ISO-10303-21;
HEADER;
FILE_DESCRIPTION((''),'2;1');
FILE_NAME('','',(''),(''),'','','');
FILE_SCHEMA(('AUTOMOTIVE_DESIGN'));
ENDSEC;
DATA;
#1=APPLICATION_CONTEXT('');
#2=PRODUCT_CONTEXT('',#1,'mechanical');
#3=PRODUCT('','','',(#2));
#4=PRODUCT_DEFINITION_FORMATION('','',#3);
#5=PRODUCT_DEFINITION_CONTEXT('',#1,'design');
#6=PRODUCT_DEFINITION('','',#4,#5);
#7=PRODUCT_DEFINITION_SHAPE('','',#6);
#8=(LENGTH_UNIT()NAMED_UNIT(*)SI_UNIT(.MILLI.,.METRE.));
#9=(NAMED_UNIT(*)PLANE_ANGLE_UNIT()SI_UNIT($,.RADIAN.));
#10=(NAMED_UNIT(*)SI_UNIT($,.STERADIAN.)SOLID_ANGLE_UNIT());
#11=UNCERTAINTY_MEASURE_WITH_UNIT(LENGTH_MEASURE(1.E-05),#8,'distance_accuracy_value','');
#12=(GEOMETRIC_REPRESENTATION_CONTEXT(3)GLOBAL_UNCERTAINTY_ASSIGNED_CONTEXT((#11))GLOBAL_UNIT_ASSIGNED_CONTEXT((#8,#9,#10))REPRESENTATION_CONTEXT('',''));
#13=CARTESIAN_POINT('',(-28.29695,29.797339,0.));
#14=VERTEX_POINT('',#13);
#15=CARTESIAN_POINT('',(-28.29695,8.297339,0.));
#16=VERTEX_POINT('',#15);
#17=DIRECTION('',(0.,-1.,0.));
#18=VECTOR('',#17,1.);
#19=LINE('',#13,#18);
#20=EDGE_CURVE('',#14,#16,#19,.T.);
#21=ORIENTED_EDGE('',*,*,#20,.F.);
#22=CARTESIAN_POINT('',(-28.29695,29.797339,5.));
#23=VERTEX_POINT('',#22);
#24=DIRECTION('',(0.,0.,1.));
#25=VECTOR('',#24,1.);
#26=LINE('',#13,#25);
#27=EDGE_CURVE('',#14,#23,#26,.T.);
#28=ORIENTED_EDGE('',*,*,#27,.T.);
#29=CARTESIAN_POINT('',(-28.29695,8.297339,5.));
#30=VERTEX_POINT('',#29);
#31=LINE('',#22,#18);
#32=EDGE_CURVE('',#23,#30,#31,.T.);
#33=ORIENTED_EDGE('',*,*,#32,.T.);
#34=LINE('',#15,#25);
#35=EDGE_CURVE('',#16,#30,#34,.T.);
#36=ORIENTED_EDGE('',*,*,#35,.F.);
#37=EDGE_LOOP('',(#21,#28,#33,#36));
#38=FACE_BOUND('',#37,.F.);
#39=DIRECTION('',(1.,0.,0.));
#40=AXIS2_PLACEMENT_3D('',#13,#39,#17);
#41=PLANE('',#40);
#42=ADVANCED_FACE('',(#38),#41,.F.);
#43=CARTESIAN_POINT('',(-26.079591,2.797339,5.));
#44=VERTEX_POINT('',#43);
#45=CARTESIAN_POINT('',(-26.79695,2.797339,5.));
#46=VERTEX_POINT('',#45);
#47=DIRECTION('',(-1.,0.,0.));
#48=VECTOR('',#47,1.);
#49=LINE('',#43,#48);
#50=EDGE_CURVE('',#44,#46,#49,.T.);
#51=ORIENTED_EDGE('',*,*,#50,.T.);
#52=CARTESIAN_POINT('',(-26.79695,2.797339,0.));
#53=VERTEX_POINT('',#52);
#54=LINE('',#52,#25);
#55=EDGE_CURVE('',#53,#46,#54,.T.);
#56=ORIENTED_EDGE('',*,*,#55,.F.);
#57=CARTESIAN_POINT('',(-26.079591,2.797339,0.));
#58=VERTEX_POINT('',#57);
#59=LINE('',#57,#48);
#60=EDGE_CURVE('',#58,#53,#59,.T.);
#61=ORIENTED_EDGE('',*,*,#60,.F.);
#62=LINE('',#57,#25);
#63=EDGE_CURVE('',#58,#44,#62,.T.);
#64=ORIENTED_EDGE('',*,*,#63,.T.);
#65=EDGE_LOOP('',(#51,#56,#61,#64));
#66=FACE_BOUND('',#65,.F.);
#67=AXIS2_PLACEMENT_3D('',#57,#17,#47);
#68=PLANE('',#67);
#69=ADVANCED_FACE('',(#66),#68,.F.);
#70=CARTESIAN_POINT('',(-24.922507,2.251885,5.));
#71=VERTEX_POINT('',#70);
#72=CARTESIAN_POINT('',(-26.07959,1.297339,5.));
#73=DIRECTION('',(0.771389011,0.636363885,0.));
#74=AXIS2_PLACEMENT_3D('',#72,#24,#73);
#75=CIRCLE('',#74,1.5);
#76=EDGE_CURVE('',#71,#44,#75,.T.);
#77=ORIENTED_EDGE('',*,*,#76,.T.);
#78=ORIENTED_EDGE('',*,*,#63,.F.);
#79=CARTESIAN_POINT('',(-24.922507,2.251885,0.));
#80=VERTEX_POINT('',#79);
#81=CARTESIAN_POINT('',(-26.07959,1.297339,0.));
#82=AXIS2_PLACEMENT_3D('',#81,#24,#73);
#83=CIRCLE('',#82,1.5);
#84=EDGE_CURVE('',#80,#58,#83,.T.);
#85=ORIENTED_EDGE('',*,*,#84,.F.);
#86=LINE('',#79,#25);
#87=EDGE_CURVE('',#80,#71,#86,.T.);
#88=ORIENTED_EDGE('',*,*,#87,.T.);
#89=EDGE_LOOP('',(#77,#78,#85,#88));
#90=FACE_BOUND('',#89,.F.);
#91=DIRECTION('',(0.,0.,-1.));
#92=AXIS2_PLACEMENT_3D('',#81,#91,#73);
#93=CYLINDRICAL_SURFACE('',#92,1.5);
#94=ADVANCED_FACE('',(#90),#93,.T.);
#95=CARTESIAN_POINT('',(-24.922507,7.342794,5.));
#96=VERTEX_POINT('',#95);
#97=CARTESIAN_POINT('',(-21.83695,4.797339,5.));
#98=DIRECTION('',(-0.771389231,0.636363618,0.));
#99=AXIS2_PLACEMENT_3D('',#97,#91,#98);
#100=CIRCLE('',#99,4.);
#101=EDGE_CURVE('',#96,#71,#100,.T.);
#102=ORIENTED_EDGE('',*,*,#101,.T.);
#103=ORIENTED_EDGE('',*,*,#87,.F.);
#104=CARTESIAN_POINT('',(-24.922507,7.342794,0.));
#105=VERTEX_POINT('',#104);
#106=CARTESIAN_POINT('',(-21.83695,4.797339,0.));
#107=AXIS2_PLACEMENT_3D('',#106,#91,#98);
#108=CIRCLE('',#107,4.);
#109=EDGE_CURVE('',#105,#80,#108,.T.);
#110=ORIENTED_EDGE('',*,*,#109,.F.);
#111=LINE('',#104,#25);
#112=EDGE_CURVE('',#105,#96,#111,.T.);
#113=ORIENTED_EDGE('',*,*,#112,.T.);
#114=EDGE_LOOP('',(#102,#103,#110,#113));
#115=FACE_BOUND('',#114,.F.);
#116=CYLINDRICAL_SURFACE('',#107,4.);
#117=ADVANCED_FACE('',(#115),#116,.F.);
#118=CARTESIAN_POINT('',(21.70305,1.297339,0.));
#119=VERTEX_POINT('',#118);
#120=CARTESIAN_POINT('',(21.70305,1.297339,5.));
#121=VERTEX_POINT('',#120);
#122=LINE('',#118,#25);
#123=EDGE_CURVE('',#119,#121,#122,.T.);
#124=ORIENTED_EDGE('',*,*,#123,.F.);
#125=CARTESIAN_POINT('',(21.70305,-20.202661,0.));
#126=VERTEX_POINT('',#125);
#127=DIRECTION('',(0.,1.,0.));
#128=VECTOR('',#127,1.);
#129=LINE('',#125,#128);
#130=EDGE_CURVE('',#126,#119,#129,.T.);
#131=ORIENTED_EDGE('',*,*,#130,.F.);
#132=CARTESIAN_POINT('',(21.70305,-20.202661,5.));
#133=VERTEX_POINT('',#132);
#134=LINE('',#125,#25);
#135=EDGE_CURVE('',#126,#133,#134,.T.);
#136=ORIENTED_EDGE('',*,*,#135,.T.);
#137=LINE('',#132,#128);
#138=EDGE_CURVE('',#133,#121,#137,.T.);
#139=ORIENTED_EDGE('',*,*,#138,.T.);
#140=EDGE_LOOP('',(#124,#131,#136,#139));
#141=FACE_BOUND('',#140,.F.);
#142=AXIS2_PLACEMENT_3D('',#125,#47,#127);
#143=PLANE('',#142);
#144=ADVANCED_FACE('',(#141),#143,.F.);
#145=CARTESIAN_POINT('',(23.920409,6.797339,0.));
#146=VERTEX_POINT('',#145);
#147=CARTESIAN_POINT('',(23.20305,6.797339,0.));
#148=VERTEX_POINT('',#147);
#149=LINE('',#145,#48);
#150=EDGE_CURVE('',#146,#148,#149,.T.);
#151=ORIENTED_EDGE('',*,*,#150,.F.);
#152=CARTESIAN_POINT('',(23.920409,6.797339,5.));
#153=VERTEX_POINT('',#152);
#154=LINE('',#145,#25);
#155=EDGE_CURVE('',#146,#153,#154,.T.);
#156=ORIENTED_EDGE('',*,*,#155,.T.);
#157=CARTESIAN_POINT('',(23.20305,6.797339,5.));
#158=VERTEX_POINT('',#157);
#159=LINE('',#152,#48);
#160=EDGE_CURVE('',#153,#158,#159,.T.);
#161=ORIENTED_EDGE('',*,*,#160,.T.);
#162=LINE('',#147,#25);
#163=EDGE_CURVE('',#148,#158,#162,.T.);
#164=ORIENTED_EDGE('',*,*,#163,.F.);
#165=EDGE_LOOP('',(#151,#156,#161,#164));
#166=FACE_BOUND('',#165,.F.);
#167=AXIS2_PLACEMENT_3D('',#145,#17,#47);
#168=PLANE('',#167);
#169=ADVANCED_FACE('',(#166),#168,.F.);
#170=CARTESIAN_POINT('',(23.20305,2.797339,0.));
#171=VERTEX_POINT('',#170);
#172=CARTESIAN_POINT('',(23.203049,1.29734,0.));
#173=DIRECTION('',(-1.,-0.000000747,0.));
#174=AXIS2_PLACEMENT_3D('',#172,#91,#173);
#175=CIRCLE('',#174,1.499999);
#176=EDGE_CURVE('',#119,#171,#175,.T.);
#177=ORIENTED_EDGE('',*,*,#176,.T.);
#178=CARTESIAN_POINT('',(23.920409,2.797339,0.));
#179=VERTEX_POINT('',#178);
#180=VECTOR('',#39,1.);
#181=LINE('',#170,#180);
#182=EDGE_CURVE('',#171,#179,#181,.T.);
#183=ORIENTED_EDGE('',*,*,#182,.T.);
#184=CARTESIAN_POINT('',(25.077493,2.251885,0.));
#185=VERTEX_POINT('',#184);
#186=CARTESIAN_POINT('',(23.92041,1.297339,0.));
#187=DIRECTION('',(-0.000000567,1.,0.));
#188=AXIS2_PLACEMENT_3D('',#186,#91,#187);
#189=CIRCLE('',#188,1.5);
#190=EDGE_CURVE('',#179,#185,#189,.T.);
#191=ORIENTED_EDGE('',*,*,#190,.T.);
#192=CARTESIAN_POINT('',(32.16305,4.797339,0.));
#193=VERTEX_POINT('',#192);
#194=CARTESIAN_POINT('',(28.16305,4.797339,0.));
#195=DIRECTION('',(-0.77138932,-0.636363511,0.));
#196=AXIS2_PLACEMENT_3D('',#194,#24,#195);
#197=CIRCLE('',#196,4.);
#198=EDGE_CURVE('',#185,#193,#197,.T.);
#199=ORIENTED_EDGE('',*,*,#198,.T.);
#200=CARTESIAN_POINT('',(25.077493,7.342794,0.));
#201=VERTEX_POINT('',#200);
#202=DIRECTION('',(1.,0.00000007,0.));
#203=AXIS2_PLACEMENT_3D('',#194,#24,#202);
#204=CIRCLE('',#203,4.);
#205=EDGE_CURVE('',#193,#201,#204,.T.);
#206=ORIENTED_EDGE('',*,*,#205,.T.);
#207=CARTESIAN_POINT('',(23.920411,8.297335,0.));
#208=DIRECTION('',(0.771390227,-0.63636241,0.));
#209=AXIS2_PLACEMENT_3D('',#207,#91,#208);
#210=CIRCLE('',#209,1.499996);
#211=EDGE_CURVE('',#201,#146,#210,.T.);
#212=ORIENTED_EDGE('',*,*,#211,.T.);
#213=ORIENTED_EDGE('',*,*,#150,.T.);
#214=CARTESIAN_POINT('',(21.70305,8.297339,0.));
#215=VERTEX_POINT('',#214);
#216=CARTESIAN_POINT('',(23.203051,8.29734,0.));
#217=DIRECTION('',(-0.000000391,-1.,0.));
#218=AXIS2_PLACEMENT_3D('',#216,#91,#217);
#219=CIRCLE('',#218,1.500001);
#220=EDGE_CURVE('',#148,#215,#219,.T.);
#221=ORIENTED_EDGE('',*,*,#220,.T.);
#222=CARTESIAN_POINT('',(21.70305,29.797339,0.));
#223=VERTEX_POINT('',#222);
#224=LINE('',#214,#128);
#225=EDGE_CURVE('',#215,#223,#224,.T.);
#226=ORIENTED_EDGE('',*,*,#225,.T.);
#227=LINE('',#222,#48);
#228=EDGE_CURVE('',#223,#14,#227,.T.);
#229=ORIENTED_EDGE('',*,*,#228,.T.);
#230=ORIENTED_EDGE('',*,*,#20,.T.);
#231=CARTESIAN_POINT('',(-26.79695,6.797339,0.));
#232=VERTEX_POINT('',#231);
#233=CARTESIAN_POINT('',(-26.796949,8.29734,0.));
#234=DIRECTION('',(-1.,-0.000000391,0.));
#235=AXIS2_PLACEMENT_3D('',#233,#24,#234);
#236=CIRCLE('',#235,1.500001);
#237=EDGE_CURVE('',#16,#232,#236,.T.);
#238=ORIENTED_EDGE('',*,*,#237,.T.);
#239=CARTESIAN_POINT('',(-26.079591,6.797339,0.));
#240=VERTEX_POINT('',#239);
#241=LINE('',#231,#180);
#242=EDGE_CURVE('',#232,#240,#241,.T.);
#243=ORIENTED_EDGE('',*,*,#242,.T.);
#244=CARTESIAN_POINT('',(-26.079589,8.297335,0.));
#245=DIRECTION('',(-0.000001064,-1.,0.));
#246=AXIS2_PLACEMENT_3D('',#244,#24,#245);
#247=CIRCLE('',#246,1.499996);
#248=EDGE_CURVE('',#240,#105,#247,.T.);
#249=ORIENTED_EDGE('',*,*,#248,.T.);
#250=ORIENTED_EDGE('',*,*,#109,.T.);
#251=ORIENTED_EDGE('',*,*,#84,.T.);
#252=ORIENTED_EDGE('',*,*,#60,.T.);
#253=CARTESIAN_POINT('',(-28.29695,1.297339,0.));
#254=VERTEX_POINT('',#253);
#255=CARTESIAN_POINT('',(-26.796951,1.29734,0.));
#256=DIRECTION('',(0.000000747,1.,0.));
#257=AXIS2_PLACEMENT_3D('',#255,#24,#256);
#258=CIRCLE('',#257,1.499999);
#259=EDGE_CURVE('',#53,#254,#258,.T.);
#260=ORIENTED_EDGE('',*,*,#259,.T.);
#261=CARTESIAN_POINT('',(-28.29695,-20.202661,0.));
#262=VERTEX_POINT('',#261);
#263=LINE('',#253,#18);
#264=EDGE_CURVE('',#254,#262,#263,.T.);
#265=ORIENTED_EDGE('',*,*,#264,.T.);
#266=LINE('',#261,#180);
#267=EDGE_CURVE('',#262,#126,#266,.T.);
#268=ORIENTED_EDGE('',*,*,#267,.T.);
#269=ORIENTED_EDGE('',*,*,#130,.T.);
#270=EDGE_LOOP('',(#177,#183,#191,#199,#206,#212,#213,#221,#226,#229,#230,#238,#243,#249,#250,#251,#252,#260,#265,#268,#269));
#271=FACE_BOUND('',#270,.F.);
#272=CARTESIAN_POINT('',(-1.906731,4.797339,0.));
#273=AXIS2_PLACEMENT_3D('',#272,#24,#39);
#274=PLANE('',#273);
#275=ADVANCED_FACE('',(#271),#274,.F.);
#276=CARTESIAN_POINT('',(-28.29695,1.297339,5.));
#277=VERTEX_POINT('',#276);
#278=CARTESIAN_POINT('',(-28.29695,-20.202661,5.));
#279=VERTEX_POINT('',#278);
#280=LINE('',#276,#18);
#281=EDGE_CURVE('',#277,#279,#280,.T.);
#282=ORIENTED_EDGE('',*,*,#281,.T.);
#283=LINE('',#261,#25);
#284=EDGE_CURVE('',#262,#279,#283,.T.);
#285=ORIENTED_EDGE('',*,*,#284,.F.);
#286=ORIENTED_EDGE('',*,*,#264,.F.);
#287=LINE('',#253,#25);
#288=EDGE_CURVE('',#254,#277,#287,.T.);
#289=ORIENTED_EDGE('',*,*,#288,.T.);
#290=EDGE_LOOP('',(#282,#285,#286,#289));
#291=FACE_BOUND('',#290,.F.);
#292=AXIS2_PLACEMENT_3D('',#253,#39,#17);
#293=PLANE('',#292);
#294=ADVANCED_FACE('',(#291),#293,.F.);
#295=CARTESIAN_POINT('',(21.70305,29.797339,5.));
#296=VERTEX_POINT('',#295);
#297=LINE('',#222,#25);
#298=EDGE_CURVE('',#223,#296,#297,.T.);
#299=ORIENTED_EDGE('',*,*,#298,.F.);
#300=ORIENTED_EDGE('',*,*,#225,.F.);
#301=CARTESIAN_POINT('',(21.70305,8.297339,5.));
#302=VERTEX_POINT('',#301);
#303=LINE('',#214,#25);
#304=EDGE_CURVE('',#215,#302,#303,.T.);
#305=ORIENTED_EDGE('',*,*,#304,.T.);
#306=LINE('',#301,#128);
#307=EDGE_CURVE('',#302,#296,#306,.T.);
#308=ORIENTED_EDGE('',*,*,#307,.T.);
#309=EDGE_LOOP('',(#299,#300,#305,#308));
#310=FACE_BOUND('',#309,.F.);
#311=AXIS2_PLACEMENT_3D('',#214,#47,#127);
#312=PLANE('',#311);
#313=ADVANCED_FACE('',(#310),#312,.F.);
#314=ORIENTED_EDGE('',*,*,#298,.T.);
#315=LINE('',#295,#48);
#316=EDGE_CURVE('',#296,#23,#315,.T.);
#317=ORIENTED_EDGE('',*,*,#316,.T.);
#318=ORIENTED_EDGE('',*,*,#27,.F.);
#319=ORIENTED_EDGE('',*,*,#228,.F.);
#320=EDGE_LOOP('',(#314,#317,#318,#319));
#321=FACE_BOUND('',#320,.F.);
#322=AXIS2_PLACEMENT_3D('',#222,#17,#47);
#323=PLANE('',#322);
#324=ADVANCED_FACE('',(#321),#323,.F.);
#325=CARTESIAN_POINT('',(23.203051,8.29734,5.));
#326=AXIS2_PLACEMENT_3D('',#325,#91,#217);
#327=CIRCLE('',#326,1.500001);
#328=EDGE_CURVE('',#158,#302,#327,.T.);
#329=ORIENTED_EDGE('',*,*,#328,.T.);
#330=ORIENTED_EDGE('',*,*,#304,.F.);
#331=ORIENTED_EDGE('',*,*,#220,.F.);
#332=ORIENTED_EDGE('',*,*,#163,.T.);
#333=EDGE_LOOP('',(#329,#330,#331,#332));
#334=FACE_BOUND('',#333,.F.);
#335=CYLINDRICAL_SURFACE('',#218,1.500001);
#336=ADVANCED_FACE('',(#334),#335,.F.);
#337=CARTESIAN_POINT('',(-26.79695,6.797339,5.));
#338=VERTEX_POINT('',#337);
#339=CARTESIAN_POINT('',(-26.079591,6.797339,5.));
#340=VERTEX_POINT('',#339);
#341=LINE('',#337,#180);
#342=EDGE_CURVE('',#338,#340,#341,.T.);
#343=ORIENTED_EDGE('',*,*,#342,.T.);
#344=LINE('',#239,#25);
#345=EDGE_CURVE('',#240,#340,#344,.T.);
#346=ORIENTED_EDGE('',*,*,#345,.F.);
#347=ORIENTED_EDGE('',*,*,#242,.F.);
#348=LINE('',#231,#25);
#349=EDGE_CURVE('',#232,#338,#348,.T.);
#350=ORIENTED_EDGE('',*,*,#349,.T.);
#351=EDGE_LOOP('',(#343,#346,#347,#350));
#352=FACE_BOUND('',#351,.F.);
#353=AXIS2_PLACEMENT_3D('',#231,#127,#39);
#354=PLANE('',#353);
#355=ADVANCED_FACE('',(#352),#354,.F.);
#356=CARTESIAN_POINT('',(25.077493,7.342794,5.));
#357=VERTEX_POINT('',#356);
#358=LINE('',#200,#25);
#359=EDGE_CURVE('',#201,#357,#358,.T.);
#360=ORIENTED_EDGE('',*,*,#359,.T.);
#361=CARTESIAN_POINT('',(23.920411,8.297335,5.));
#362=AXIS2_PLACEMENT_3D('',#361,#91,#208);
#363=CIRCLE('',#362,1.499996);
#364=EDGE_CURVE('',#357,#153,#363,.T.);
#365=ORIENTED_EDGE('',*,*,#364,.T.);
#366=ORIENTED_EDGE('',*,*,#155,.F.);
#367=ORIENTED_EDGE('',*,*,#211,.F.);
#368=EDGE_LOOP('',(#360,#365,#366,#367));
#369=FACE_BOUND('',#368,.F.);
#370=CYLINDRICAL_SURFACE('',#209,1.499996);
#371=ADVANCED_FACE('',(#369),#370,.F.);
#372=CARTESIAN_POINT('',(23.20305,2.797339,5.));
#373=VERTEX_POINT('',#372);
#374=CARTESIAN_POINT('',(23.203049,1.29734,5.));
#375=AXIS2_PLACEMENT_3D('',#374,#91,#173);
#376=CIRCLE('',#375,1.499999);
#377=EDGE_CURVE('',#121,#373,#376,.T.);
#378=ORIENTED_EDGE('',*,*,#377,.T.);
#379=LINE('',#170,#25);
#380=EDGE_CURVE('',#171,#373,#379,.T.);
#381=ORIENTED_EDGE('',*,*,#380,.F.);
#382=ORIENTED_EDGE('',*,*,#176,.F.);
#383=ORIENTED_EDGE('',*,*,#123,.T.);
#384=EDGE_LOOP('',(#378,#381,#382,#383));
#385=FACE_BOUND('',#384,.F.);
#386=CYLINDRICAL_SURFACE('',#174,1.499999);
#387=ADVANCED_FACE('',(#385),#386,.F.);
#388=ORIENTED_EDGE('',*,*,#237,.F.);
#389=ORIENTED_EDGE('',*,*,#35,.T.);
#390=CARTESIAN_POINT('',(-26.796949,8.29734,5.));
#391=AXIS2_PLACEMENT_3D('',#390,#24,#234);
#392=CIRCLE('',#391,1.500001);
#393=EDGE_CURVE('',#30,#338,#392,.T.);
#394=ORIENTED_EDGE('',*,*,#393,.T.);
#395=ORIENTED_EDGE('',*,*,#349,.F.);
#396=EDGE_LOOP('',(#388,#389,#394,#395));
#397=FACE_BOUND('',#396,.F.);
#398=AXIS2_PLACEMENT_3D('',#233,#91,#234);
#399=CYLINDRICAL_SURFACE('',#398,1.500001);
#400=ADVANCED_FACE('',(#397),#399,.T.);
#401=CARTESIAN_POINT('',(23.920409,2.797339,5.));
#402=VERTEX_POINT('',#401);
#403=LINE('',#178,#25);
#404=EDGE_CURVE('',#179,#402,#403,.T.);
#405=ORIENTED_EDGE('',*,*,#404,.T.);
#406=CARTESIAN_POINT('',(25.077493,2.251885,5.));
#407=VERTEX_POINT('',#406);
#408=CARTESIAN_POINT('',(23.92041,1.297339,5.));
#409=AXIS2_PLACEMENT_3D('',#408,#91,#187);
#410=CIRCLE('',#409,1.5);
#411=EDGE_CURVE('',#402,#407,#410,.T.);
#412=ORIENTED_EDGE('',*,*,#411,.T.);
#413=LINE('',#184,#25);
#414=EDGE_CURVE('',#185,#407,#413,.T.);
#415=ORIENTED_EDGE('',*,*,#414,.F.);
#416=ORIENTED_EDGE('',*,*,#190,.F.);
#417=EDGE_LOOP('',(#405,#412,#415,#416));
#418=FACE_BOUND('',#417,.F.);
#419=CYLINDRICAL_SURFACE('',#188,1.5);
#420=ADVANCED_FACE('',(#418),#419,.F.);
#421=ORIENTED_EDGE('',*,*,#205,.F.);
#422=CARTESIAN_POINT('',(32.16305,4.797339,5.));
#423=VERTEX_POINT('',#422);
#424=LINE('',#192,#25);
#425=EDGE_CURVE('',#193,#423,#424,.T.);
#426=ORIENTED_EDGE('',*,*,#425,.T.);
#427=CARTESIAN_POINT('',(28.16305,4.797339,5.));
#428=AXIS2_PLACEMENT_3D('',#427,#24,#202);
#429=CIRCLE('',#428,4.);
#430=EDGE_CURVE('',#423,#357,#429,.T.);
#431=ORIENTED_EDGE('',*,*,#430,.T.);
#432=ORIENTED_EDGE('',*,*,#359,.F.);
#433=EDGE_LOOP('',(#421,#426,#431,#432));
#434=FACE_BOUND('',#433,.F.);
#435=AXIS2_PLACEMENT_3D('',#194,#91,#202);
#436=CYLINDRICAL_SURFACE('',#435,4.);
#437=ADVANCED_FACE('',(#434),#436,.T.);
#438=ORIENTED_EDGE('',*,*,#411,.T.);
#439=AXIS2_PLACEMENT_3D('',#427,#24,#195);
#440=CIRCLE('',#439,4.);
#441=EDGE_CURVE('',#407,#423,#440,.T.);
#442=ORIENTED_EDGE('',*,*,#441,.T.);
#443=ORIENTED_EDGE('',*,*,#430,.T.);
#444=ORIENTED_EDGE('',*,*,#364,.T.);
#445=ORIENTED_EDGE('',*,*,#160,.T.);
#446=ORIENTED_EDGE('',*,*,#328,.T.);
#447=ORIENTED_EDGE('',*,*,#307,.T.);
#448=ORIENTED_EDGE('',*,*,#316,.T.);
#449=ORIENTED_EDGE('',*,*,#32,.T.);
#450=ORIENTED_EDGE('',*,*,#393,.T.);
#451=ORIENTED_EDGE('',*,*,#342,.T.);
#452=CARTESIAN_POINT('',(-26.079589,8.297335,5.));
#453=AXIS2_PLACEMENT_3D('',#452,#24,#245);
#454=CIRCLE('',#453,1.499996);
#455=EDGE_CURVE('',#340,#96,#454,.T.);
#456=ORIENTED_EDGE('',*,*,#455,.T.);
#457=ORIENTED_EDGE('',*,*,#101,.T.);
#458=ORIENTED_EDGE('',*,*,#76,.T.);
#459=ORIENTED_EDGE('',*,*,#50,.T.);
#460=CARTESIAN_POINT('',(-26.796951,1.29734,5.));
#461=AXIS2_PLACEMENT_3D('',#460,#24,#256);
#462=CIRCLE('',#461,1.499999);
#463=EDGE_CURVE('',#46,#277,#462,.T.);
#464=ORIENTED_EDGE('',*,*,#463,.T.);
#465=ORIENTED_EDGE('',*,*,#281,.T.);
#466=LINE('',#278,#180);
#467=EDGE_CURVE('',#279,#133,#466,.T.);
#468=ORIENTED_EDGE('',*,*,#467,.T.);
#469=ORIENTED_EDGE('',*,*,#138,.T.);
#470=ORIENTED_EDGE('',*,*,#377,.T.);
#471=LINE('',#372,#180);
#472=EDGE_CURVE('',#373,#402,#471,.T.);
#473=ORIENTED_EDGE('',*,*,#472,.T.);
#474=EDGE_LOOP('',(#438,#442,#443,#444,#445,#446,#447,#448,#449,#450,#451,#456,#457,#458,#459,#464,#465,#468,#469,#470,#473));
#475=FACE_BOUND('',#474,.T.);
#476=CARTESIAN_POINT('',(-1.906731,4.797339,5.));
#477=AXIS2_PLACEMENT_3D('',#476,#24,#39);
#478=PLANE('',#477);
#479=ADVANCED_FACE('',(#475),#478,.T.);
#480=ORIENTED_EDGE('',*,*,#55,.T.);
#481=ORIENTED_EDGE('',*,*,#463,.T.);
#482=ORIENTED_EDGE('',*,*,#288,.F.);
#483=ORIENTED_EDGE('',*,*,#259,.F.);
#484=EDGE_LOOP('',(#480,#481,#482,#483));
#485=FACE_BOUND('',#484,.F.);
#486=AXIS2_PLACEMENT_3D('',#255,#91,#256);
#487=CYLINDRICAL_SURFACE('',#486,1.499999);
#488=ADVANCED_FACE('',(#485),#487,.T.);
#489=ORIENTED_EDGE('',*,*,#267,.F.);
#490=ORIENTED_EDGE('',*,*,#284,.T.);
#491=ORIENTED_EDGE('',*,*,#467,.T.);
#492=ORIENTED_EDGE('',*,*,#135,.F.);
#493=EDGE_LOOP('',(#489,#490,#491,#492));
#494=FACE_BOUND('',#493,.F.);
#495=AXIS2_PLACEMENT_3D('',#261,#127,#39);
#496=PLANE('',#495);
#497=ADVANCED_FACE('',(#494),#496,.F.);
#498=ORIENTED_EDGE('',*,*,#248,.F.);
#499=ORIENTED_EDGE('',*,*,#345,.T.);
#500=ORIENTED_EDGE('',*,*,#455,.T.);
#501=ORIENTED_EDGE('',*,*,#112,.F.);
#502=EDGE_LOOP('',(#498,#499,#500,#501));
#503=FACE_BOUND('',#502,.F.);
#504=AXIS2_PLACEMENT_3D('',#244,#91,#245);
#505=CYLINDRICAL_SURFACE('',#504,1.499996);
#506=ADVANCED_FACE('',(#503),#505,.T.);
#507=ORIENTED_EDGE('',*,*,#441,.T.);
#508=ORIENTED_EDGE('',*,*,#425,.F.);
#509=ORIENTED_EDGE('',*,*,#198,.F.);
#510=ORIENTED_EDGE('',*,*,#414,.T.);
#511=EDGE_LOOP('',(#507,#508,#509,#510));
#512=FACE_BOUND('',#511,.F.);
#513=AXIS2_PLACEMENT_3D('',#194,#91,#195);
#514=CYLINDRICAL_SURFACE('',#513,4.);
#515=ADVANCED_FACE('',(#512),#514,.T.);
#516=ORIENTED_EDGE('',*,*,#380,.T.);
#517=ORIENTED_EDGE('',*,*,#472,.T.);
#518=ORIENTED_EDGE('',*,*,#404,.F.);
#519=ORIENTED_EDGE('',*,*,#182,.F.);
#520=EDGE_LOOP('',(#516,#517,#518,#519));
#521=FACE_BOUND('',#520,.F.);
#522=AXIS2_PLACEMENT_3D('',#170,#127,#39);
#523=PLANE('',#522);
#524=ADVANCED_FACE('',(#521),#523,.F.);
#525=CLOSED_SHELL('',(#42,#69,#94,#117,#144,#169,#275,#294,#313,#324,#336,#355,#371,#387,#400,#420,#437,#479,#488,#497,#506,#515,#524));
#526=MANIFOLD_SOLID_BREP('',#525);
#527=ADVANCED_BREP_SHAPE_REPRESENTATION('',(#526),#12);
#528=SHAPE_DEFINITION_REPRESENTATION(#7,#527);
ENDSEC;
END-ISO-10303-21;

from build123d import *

# Parameters (mm, degrees)
F1_DEPTH = 5


with BuildPart() as f1:
    # F0 (on Top) → F1 (new body)
    with BuildSketch(Plane.XY):
        with BuildLine():
            Line((21.70305, 29.797339), (-28.29695, 29.797339))
            Line((-28.29695, 29.797339), (-28.29695, 8.297339))
            ThreePointArc((-28.29695, 8.297339), (-27.85761, 7.236679), (-26.79695, 6.797339))
            Line((-26.79695, 6.797339), (-26.079591, 6.797339))
            ThreePointArc((-26.079591, 6.797339), (-25.439988, 6.940538), (-24.922507, 7.342794))
            ThreePointArc((-24.922507, 7.342794), (-17.83695, 4.797339), (-24.922507, 2.251885))
            ThreePointArc((-24.922507, 2.251885), (-25.439988, 2.65414), (-26.079591, 2.797339))
            Line((-26.079591, 2.797339), (-26.79695, 2.797339))
            ThreePointArc((-26.79695, 2.797339), (-27.85761, 2.358), (-28.29695, 1.297339))
            Line((-28.29695, 1.297339), (-28.29695, -20.202661))
            Line((-28.29695, -20.202661), (21.70305, -20.202661))
            Line((21.70305, -20.202661), (21.70305, 1.297339))
            ThreePointArc((21.70305, 1.297339), (22.14239, 2.358), (23.20305, 2.797339))
            Line((23.20305, 2.797339), (23.920409, 2.797339))
            ThreePointArc((23.920409, 2.797339), (24.560012, 2.65414), (25.077493, 2.251885))
            ThreePointArc((25.077493, 2.251885), (29.515413, 1.032885), (32.16305, 4.797339))
            ThreePointArc((32.16305, 4.797339), (29.515413, 8.561793), (25.077493, 7.342794))
            ThreePointArc((25.077493, 7.342794), (24.560012, 6.940538), (23.920409, 6.797339))
            Line((23.920409, 6.797339), (23.20305, 6.797339))
            ThreePointArc((23.20305, 6.797339), (22.14239, 7.236679), (21.70305, 8.297339))
            Line((21.70305, 8.297339), (21.70305, 29.797339))
        make_face()
    extrude(amount=F1_DEPTH)


solid = f1.part
